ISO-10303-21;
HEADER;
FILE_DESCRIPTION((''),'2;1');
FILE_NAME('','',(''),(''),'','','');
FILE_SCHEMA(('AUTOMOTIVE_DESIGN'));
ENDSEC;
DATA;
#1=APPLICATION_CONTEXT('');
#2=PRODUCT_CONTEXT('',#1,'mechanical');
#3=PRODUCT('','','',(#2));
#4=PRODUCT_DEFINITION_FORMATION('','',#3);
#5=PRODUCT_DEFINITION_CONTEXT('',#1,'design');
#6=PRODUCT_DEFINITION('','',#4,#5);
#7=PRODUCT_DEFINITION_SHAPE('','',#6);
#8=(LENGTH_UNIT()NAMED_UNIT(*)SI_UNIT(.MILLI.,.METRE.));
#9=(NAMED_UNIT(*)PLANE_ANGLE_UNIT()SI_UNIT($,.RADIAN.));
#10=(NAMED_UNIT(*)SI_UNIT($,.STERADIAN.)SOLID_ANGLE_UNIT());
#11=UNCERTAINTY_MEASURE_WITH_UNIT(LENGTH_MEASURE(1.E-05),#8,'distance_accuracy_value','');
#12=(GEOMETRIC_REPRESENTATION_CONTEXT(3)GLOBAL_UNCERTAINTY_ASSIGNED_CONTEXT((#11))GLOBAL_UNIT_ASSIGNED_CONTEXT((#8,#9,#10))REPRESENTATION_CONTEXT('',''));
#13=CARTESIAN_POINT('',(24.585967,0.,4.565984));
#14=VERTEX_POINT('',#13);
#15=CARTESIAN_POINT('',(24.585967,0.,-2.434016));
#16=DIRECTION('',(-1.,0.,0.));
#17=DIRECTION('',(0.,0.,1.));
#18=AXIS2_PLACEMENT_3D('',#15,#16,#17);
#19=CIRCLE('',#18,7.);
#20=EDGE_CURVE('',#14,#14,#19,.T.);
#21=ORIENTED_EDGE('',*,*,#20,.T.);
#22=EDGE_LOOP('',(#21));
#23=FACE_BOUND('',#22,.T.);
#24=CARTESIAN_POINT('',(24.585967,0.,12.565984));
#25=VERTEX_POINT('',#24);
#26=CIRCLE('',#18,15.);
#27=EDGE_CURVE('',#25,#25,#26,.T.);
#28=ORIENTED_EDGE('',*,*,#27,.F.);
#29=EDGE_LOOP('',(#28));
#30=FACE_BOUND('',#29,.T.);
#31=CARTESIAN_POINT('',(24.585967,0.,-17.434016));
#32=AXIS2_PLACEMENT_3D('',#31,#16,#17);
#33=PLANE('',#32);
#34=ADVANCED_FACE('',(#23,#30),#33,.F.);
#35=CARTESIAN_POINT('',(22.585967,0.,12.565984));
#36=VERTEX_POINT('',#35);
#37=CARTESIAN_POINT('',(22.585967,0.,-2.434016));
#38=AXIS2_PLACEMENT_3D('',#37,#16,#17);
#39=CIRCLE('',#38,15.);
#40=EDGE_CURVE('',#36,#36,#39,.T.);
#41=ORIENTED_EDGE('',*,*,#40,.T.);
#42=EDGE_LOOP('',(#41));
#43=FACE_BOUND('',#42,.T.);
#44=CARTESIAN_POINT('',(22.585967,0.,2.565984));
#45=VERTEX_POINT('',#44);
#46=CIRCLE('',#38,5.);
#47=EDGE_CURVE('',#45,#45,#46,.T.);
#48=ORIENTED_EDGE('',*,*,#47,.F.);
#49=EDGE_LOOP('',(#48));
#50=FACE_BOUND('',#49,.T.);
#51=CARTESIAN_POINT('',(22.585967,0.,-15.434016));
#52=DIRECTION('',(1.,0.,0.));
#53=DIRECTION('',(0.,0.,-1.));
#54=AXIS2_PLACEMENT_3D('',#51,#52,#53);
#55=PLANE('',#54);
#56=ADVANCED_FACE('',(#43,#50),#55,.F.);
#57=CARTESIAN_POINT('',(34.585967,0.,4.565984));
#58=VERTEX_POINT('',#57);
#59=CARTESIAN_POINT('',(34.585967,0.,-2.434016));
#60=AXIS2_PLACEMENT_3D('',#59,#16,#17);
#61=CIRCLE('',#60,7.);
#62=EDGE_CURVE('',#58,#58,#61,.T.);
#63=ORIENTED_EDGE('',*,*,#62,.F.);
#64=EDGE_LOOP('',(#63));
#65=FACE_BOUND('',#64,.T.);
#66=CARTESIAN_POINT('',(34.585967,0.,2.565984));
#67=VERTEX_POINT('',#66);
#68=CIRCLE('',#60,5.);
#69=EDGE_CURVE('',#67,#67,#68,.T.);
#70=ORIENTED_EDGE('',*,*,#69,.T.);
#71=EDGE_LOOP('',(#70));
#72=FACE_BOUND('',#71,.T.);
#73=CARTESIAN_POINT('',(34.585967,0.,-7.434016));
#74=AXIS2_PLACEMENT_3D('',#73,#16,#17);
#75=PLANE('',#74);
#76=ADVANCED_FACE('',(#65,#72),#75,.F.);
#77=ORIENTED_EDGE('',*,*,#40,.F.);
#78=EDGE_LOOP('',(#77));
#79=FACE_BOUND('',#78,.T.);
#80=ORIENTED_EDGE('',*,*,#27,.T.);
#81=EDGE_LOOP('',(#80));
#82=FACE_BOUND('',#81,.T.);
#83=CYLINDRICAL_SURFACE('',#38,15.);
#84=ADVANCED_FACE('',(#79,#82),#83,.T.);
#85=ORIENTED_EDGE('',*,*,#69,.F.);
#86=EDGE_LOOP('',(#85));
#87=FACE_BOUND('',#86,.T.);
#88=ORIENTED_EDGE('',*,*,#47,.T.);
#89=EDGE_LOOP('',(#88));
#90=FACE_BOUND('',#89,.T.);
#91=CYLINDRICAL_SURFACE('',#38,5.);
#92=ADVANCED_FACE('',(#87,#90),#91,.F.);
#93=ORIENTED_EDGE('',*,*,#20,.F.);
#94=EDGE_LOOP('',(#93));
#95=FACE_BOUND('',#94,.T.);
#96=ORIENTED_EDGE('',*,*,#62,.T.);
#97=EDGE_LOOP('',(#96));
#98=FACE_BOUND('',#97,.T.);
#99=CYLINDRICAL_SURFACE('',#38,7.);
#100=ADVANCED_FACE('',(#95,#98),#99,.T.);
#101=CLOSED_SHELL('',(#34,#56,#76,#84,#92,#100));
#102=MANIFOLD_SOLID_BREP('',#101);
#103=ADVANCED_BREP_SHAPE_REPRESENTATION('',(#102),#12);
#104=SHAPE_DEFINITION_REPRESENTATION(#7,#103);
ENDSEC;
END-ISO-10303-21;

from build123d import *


with BuildPart() as part:
    # Sketch2 → Revolve1 (revolve)
    with BuildSketch(Plane(origin=(0, 0, 0), x_dir=(1, 0, 0), z_dir=(0, 1, 0)), mode=Mode.PRIVATE) as revolve1_sk:
        Polygon((22.585966847, 17.434015501), (24.585966847, 17.434015501), (24.585966847, 9.434015501), (34.585966847, 9.434015501), (34.585966847, 7.434015501), (22.585966847, 7.434015501), (22.585966847, 15.434015501), align=None)
    revolve(revolve1_sk.sketch.rotate(Axis((22.585966847, 0, -2.434015501), (1, 0, 0)), 180), axis=Axis((22.585966847, 0, -2.434015501), (1, 0, 0)))


solid = part.part
